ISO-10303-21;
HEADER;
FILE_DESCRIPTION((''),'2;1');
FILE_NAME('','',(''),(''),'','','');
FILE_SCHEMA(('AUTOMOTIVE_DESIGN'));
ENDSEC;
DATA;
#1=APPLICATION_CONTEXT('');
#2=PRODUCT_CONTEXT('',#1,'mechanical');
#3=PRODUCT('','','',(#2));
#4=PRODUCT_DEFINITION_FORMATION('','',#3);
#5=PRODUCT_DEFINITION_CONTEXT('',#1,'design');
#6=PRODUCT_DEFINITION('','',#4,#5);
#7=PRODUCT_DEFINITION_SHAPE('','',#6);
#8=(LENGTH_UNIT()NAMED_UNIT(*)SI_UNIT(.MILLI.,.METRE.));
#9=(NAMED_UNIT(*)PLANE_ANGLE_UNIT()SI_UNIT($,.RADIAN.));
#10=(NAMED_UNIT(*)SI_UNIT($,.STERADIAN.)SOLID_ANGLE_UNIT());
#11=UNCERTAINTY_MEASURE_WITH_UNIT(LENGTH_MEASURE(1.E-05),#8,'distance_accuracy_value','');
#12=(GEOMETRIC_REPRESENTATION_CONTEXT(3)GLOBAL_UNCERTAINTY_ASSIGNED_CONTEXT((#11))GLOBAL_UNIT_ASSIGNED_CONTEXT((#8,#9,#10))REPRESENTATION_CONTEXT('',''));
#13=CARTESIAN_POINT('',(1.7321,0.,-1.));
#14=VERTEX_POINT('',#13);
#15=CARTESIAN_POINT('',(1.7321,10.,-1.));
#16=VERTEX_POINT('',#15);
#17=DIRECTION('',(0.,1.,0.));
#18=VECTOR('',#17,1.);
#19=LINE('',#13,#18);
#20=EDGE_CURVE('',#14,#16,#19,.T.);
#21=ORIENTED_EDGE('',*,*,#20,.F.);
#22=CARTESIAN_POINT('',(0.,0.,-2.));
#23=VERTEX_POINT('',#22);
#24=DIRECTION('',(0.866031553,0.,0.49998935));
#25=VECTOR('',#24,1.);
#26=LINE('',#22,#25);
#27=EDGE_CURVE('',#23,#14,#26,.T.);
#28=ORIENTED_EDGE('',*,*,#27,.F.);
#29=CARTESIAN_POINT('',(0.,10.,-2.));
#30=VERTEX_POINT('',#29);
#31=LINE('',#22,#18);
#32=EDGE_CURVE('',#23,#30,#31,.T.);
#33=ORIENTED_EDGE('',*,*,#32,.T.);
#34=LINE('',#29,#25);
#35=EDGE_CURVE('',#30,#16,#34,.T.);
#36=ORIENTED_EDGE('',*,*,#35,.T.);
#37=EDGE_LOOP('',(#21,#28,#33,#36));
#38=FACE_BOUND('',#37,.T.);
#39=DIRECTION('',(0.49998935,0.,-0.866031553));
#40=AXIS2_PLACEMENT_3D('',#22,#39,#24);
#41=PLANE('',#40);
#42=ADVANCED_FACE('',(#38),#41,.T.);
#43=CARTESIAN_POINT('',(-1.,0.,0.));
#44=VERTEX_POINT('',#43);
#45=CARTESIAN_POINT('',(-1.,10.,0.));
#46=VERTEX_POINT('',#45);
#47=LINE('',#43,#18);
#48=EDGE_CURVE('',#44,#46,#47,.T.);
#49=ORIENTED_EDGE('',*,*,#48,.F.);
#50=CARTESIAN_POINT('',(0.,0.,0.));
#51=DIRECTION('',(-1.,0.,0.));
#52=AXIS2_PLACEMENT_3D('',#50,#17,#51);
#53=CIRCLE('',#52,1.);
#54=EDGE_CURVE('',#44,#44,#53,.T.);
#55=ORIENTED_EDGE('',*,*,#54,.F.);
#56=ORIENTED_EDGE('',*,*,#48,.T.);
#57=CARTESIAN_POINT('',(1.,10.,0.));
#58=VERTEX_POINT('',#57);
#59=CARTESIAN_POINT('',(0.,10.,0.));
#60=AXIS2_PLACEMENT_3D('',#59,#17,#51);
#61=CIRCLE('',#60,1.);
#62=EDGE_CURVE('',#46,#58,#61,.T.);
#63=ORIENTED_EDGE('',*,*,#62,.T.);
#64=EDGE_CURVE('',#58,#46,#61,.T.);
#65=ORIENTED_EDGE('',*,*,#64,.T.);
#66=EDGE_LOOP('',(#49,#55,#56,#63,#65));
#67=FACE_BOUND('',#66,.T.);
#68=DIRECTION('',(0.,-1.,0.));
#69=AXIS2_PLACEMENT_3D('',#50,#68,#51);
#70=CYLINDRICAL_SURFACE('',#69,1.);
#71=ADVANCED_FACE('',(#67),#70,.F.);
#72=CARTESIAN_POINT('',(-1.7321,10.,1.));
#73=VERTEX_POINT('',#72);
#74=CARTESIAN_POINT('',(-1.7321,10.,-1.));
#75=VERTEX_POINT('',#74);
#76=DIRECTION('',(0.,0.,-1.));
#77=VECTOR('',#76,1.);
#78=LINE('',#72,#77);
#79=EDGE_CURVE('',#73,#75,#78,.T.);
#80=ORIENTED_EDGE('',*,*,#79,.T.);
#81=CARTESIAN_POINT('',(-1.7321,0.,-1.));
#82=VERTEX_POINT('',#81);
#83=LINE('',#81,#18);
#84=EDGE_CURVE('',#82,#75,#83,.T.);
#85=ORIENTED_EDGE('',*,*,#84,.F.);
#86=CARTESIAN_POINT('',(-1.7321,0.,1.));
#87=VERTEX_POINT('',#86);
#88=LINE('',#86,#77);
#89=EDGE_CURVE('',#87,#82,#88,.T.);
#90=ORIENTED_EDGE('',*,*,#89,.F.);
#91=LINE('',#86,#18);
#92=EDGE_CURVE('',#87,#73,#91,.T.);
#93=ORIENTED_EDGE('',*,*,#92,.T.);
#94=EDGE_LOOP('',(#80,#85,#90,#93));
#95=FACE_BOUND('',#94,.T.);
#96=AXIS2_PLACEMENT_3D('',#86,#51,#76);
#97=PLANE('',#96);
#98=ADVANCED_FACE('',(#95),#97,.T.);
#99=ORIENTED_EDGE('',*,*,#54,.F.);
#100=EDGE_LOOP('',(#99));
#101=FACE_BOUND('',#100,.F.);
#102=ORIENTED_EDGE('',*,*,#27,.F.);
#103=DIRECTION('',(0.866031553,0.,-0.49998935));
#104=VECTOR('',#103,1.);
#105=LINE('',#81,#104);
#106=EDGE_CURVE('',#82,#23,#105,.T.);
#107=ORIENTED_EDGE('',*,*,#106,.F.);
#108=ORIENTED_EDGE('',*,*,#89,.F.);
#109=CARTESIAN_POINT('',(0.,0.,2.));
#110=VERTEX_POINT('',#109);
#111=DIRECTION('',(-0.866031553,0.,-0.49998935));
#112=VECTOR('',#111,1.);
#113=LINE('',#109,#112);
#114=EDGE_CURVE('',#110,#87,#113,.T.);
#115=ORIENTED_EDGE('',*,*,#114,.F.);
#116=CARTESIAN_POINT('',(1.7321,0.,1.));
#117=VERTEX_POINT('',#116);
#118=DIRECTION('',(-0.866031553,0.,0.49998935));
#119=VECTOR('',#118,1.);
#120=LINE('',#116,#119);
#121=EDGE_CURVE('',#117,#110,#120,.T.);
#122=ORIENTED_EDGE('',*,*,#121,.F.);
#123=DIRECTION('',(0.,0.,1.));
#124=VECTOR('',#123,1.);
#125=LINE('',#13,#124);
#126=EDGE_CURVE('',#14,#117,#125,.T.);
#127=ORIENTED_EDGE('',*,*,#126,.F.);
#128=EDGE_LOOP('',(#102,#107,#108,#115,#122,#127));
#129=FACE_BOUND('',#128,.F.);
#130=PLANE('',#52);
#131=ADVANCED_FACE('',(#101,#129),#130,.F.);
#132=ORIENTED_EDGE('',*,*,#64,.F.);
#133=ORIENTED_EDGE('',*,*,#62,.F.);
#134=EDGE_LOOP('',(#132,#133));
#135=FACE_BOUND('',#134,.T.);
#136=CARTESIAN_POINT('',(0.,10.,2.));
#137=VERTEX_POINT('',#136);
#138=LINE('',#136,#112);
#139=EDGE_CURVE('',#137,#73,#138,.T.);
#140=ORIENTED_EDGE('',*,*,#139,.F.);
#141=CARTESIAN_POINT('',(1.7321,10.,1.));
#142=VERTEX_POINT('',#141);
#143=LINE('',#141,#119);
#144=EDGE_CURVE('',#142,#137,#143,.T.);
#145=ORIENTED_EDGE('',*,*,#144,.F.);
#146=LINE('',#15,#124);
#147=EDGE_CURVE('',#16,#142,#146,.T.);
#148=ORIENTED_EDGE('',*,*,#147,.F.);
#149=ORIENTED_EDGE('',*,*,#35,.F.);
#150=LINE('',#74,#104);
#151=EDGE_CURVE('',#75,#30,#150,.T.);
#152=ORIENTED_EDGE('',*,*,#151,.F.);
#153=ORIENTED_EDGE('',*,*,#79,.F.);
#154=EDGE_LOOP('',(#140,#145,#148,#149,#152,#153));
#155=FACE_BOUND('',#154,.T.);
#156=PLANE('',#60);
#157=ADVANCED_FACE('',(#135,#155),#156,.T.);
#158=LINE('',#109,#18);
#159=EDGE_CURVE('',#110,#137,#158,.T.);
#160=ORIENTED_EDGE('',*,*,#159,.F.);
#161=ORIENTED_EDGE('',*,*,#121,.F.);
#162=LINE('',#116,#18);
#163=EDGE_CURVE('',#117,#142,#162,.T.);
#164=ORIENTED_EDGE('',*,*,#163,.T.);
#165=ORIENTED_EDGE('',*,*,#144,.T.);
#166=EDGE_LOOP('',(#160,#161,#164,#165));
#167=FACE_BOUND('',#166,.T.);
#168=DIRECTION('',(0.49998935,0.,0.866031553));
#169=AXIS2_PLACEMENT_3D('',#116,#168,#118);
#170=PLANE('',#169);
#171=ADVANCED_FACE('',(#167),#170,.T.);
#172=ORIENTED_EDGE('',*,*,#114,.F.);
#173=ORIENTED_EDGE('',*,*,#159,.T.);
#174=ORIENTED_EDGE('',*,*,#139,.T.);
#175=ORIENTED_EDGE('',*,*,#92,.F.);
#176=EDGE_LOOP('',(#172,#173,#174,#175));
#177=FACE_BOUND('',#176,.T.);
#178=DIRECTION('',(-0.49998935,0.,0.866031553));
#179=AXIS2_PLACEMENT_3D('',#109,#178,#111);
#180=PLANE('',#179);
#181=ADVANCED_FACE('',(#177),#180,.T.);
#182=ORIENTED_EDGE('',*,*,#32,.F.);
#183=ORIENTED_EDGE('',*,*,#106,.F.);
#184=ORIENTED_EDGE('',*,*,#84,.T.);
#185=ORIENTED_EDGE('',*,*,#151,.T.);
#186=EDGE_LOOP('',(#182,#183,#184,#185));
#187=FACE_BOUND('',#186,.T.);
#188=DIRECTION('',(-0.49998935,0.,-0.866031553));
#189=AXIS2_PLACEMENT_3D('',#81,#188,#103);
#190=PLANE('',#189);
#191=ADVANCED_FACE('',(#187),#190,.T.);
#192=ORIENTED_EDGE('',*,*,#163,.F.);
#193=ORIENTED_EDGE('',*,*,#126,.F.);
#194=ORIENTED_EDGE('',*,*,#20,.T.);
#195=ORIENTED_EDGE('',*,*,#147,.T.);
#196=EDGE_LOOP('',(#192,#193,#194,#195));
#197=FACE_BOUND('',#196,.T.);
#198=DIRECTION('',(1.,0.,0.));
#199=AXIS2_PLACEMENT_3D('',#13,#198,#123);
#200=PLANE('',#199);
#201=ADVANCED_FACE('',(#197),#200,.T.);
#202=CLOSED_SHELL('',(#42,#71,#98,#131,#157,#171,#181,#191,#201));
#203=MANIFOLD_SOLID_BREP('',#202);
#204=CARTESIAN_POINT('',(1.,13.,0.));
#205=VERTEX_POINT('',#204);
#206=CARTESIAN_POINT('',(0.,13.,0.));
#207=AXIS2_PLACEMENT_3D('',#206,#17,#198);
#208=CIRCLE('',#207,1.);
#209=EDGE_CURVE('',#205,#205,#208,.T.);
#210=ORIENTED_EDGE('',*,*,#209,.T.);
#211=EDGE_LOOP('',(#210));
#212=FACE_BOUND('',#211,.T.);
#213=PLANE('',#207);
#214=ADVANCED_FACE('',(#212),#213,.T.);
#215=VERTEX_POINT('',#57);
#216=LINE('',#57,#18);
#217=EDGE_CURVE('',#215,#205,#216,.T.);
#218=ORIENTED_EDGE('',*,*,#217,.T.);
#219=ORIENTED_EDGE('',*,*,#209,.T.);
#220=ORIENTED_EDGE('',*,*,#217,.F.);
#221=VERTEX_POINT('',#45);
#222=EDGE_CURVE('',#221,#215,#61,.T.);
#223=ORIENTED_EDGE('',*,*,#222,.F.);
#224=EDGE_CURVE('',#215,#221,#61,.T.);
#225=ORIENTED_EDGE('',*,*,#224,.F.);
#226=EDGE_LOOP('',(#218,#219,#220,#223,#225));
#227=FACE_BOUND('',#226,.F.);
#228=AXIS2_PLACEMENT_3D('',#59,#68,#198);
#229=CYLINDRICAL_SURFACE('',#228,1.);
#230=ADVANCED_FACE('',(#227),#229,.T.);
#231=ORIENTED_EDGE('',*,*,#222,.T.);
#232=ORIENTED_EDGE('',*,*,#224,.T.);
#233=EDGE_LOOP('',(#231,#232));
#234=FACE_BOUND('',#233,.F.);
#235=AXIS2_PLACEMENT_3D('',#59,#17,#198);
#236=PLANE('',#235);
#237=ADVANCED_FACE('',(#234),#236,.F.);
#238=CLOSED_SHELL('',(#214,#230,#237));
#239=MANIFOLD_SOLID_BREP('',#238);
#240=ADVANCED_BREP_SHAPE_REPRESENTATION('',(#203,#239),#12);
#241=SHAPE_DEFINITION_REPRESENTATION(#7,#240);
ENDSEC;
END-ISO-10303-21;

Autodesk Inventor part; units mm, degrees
ref_plane "YZ Plane" through (0, 0, 0) normal (1, 0, 0) x (0, 1, 0)
ref_plane "XZ Plane" through (0, 0, 0) normal (0, 1, 0) x (-1, 0, 0)
ref_plane "XY Plane" through (0, 0, 0) normal (0, 0, 1) x (1, 0, 0)
sketch "Sketch1" plane through (0, 0, 0) normal (0, 1, 0) x (-1, 0, 0)
  circle A0 centre (0, 0) radius 1
  line L0 (0, -2) -> (-1.7321, -1)
  line L1 (-1.7321, -1) -> (-1.7321, 1)
  line L2 (-1.7321, 1) -> (0, 2)
  line L3 (0, 2) -> (1.7321, 1)
  line L4 (1.7321, 1) -> (1.7321, -1)
  line L5 (1.7321, -1) -> (0, -2)
  dimension "d0" = 2
  dimension "d1" = 2
extrude "Extrusion1" add sketch "Sketch1" along normal blind 10
sketch "Sketch2" plane through (0, 10, 0) normal (0, 1, 0) x (1, 0, 0)
  circle A0 centre (0, 0) radius 1
extrude "Extrusion2" add sketch "Sketch2" along normal blind 3
thread "Thread1" size "M2x0.4" class "6g" standard "ANSI Metric M Profile" full length
thread "Thread2" size "M2x0.4" class "6H" standard "ANSI Metric M Profile" full length
properties part number "dist5mmM2" material "Brass, Soft Yellow"
